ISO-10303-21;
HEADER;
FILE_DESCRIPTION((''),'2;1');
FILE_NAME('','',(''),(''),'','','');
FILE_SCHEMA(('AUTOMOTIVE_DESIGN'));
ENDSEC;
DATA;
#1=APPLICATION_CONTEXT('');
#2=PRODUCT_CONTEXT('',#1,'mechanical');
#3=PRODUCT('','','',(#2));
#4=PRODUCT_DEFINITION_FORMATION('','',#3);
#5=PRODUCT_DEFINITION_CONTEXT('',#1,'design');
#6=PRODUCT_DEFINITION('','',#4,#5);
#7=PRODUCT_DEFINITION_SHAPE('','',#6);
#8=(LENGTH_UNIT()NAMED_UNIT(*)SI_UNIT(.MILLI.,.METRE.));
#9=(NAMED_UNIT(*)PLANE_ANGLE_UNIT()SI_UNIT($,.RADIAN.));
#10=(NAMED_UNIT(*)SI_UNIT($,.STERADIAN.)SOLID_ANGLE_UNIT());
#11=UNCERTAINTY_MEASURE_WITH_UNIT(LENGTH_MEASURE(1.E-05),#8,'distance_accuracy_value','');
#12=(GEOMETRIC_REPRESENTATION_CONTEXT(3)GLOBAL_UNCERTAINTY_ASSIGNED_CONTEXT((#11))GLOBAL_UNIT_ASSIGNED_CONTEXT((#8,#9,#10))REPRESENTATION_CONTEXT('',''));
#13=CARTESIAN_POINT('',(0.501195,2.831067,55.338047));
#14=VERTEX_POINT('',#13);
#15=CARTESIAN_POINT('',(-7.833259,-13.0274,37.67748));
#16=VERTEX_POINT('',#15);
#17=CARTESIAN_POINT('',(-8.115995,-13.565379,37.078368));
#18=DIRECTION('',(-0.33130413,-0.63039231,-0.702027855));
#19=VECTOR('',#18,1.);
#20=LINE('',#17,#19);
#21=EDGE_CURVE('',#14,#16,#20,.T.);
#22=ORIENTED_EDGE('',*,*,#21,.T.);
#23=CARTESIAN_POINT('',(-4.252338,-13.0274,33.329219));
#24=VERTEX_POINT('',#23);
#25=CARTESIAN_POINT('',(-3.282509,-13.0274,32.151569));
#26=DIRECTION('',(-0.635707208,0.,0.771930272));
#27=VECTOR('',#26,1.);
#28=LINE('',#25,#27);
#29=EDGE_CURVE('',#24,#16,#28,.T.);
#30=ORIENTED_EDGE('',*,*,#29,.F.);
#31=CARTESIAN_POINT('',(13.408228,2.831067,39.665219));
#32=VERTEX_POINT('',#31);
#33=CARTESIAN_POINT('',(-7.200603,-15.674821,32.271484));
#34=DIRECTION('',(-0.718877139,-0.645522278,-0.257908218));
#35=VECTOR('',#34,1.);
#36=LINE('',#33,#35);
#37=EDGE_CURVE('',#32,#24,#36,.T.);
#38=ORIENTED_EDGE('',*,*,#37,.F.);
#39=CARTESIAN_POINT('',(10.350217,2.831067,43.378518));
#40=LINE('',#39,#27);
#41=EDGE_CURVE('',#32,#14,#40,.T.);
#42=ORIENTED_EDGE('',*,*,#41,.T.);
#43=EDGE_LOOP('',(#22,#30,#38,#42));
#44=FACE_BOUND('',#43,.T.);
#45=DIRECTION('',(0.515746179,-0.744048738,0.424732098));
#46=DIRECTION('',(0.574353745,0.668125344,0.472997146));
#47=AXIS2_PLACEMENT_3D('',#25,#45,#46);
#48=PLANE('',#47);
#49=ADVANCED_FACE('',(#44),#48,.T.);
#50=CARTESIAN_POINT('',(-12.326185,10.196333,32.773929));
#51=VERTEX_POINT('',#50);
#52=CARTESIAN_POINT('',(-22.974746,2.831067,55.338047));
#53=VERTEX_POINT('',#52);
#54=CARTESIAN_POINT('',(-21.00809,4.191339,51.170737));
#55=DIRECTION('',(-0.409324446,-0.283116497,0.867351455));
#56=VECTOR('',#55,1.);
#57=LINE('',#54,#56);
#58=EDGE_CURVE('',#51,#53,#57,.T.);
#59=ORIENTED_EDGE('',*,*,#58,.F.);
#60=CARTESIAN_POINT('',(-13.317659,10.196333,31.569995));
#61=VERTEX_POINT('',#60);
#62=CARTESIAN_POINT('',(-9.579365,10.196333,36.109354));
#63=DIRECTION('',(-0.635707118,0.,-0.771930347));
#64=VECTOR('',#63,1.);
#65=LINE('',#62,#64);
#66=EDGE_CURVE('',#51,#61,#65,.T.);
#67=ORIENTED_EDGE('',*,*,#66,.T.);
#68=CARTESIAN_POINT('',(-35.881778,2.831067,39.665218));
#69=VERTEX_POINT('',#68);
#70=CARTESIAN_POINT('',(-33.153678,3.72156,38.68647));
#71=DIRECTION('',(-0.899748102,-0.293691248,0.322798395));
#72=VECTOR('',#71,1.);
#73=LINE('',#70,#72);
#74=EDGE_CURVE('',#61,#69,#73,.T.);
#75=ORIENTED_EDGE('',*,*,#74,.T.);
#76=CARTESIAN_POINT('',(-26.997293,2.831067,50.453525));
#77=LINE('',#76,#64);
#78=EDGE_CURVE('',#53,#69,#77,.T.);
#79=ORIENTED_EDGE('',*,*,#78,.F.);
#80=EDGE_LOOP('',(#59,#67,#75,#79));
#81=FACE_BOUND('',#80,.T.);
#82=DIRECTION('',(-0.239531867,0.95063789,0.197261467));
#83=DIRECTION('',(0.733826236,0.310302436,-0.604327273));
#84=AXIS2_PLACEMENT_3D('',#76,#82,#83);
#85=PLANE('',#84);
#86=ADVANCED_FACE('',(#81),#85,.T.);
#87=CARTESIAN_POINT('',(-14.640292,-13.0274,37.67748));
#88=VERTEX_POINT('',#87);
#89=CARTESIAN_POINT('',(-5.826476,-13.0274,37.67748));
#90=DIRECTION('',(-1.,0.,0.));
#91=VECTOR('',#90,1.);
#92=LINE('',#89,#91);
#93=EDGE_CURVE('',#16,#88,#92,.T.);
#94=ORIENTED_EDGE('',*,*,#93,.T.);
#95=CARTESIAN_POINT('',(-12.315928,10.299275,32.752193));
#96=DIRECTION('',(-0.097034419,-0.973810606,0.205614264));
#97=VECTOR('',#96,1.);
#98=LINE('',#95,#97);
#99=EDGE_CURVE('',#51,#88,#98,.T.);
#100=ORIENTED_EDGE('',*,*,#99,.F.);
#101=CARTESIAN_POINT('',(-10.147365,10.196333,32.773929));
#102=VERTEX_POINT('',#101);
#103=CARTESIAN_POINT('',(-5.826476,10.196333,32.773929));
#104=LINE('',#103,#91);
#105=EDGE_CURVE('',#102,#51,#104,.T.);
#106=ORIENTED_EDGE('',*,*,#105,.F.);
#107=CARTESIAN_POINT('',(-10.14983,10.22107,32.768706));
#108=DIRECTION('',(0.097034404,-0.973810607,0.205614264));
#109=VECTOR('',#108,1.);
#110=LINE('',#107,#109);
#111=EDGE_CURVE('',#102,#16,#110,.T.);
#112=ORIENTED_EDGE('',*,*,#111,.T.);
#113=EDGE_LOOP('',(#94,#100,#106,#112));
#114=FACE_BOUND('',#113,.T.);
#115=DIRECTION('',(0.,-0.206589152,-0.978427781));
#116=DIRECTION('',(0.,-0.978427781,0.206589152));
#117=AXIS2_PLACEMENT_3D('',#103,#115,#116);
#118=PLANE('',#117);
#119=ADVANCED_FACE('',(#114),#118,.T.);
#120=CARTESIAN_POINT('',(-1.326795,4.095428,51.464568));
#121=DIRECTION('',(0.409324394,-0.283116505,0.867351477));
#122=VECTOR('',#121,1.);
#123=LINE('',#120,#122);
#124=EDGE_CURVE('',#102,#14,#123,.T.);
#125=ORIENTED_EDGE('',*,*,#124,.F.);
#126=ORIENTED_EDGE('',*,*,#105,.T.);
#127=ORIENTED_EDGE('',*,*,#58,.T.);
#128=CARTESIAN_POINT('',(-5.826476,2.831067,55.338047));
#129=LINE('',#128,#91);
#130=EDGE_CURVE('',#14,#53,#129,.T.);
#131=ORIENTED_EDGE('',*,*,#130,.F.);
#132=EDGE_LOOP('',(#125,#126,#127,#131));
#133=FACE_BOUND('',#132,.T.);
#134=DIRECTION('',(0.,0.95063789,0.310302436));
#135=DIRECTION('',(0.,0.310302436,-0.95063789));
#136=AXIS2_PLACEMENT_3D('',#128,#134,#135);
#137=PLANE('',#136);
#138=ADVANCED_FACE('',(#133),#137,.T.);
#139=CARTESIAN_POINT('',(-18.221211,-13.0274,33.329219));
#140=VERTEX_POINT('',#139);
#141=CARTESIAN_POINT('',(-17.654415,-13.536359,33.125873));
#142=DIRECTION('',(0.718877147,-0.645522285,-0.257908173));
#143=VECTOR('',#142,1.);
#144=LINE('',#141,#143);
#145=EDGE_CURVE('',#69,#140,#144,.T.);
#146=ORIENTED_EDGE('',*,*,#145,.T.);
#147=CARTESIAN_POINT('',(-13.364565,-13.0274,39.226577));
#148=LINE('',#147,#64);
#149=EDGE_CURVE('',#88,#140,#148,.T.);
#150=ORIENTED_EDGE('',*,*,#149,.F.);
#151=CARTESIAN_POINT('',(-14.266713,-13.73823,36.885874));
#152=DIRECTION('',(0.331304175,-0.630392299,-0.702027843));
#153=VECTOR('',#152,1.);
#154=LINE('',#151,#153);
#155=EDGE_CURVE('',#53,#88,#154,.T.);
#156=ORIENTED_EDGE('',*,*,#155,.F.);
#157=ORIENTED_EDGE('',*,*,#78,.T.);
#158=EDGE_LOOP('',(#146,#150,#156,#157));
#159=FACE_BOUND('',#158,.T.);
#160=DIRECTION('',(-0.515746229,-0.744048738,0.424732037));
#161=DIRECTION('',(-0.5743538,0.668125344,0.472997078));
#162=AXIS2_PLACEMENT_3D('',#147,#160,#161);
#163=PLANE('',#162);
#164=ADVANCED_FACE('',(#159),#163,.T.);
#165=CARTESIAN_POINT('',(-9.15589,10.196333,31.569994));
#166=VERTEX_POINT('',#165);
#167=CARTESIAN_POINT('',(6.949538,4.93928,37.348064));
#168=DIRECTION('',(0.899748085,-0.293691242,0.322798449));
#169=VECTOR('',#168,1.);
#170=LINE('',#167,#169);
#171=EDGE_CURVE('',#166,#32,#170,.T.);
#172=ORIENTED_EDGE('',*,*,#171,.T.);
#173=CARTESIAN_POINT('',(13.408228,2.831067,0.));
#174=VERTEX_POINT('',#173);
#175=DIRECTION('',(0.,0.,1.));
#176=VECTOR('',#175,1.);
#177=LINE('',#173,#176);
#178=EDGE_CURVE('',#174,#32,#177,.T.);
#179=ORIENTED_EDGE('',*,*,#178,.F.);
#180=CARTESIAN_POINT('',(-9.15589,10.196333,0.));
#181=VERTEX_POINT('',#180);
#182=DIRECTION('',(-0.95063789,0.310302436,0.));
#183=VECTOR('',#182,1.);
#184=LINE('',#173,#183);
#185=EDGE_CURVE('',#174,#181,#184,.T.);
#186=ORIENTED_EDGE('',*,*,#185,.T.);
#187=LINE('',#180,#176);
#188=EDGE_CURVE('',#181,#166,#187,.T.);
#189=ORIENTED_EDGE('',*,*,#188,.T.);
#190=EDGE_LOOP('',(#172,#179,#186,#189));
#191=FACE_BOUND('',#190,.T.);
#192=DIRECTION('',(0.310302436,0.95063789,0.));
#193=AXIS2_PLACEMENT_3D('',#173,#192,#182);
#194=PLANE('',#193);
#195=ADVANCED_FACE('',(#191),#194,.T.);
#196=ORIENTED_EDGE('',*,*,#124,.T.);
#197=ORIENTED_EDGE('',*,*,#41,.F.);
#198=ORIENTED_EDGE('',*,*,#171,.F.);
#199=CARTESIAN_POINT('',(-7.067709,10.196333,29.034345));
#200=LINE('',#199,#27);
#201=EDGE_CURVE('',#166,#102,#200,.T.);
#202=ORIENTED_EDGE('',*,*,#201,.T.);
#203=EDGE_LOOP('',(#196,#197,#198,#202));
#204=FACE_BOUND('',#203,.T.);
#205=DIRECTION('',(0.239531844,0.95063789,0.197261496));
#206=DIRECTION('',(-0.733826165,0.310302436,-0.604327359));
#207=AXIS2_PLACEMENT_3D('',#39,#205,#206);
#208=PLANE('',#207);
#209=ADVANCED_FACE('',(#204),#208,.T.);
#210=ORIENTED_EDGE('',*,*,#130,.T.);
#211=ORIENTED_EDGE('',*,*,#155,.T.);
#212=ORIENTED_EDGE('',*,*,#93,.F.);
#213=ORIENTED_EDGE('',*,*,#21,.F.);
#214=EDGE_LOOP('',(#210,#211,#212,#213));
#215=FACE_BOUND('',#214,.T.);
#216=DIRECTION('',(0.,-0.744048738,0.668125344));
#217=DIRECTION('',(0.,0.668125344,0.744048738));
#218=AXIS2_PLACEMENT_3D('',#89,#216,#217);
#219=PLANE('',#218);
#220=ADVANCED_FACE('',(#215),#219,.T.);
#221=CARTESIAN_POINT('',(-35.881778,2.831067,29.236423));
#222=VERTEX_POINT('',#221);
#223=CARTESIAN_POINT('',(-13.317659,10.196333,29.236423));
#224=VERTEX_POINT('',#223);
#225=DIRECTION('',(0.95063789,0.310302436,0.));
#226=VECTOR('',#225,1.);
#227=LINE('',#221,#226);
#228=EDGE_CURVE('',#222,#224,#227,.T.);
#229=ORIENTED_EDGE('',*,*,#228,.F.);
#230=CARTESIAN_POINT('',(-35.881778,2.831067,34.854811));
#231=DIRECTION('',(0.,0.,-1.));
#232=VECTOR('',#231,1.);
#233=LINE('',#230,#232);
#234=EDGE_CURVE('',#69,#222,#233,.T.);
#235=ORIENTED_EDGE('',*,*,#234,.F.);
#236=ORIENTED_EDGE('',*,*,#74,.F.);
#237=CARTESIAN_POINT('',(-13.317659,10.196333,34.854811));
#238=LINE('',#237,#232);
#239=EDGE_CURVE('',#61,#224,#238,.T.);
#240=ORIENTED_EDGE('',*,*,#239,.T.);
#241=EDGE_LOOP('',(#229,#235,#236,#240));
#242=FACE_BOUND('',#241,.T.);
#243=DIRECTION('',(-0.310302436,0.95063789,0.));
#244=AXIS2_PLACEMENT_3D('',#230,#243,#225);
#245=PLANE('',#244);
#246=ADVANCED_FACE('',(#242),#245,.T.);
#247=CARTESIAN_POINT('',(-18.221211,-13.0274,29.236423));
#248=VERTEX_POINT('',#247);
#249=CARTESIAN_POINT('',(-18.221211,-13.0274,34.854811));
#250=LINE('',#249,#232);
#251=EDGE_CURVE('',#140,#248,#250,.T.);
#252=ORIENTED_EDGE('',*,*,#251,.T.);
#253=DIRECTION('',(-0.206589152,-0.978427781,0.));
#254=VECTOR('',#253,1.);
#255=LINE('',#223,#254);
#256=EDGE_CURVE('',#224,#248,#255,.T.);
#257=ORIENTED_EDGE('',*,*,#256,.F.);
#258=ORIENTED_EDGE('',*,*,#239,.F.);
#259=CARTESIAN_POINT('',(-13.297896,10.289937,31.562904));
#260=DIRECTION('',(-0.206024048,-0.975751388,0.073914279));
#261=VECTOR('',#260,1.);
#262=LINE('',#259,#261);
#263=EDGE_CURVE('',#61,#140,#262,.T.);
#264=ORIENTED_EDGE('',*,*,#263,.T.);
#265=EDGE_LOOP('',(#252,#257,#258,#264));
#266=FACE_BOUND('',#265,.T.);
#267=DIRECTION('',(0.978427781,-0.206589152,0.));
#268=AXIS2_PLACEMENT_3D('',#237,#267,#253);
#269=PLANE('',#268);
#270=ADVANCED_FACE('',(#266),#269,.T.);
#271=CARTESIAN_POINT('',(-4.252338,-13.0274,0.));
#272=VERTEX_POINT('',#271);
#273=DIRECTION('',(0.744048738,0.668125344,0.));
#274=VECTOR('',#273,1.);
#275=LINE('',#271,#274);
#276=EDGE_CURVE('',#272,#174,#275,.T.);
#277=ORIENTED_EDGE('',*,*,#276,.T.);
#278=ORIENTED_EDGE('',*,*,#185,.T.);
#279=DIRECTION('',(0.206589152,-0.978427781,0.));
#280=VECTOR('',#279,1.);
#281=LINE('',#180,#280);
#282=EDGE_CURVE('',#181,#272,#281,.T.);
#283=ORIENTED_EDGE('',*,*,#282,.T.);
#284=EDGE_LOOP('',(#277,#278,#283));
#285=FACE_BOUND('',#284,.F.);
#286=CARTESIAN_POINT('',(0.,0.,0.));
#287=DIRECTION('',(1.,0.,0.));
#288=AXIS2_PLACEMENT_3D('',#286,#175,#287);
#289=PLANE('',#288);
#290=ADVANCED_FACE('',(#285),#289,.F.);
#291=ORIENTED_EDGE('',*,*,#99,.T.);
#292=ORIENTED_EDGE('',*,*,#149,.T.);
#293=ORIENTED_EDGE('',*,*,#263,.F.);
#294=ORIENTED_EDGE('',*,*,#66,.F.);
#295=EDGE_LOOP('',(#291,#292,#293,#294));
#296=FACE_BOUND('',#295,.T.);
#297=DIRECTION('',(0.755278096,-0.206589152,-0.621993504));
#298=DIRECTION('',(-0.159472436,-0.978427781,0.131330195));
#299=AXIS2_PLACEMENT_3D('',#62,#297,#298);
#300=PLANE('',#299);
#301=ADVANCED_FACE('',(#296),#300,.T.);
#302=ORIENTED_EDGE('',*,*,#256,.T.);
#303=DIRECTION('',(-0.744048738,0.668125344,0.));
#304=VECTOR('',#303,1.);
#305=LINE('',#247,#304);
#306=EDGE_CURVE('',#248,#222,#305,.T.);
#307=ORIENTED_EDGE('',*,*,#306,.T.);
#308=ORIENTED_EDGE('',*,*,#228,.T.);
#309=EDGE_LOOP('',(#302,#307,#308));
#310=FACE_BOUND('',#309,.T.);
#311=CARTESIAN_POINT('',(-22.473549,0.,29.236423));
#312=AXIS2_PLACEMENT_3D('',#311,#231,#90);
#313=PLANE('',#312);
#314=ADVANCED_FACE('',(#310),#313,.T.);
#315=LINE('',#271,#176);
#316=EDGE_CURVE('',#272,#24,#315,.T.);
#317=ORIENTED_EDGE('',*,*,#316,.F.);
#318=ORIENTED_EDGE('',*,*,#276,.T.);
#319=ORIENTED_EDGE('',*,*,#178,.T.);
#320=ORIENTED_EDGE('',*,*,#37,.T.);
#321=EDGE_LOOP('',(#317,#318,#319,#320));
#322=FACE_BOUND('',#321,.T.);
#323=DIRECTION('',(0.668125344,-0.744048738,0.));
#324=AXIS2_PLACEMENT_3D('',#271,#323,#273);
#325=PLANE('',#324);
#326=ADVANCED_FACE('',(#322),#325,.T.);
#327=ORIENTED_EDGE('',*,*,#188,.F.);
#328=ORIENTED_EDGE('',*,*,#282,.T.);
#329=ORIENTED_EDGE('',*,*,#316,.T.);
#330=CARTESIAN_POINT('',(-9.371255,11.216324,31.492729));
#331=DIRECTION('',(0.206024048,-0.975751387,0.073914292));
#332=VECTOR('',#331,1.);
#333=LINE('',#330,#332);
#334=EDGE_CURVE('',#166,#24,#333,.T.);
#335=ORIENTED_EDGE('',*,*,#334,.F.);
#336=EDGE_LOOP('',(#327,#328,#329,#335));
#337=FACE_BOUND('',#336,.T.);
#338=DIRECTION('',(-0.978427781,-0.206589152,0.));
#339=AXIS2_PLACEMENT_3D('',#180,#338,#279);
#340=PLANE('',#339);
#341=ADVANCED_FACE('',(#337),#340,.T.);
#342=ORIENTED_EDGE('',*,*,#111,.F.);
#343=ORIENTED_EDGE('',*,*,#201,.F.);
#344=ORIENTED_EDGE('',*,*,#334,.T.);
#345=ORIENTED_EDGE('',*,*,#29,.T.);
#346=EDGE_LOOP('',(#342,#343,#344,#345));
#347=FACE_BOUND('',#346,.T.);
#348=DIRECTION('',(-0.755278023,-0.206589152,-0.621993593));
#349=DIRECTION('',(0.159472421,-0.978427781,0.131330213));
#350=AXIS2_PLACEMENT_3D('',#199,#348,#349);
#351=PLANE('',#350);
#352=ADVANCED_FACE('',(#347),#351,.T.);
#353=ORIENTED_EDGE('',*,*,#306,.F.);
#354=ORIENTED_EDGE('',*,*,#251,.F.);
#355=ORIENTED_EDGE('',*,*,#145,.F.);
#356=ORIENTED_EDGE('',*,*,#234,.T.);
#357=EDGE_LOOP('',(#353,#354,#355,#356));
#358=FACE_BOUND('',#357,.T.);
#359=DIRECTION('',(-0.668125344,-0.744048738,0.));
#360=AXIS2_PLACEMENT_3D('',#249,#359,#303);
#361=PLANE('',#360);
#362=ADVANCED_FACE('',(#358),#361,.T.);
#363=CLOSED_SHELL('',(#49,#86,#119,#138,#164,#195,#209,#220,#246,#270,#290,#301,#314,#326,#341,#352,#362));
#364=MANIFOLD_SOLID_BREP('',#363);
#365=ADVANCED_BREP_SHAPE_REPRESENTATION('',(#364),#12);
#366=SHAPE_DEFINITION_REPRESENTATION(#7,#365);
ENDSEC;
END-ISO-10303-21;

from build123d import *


with BuildPart() as f2:
    # F2: sweep along a path in F0
    with BuildLine(Plane.XZ) as f2_path:
        Line((0, 0), (0, 34.8548106849))
        Line((0, 34.8548106849), (-5.8264764957, 41.9298186898))
        Line((-5.8264764957, 41.9298186898), (-16.6470743716, 41.9298186898))
        Line((-16.6470743716, 41.9298186898), (-22.4735494703, 34.8548106849))
        Line((-22.4735494703, 34.8548106849), (-22.4735494703, 29.2364228517))
    # F1 (on Top) → F2 (sweep)
    with BuildSketch(Plane.XY):
        Polygon((-4.2523382608, -13.0273997208), (13.4082282339, 2.831066901), (-9.155889973, 10.1963328198), align=None)
    sweep(path=f2_path.line, transition=Transition.RIGHT)


solid = f2.part
